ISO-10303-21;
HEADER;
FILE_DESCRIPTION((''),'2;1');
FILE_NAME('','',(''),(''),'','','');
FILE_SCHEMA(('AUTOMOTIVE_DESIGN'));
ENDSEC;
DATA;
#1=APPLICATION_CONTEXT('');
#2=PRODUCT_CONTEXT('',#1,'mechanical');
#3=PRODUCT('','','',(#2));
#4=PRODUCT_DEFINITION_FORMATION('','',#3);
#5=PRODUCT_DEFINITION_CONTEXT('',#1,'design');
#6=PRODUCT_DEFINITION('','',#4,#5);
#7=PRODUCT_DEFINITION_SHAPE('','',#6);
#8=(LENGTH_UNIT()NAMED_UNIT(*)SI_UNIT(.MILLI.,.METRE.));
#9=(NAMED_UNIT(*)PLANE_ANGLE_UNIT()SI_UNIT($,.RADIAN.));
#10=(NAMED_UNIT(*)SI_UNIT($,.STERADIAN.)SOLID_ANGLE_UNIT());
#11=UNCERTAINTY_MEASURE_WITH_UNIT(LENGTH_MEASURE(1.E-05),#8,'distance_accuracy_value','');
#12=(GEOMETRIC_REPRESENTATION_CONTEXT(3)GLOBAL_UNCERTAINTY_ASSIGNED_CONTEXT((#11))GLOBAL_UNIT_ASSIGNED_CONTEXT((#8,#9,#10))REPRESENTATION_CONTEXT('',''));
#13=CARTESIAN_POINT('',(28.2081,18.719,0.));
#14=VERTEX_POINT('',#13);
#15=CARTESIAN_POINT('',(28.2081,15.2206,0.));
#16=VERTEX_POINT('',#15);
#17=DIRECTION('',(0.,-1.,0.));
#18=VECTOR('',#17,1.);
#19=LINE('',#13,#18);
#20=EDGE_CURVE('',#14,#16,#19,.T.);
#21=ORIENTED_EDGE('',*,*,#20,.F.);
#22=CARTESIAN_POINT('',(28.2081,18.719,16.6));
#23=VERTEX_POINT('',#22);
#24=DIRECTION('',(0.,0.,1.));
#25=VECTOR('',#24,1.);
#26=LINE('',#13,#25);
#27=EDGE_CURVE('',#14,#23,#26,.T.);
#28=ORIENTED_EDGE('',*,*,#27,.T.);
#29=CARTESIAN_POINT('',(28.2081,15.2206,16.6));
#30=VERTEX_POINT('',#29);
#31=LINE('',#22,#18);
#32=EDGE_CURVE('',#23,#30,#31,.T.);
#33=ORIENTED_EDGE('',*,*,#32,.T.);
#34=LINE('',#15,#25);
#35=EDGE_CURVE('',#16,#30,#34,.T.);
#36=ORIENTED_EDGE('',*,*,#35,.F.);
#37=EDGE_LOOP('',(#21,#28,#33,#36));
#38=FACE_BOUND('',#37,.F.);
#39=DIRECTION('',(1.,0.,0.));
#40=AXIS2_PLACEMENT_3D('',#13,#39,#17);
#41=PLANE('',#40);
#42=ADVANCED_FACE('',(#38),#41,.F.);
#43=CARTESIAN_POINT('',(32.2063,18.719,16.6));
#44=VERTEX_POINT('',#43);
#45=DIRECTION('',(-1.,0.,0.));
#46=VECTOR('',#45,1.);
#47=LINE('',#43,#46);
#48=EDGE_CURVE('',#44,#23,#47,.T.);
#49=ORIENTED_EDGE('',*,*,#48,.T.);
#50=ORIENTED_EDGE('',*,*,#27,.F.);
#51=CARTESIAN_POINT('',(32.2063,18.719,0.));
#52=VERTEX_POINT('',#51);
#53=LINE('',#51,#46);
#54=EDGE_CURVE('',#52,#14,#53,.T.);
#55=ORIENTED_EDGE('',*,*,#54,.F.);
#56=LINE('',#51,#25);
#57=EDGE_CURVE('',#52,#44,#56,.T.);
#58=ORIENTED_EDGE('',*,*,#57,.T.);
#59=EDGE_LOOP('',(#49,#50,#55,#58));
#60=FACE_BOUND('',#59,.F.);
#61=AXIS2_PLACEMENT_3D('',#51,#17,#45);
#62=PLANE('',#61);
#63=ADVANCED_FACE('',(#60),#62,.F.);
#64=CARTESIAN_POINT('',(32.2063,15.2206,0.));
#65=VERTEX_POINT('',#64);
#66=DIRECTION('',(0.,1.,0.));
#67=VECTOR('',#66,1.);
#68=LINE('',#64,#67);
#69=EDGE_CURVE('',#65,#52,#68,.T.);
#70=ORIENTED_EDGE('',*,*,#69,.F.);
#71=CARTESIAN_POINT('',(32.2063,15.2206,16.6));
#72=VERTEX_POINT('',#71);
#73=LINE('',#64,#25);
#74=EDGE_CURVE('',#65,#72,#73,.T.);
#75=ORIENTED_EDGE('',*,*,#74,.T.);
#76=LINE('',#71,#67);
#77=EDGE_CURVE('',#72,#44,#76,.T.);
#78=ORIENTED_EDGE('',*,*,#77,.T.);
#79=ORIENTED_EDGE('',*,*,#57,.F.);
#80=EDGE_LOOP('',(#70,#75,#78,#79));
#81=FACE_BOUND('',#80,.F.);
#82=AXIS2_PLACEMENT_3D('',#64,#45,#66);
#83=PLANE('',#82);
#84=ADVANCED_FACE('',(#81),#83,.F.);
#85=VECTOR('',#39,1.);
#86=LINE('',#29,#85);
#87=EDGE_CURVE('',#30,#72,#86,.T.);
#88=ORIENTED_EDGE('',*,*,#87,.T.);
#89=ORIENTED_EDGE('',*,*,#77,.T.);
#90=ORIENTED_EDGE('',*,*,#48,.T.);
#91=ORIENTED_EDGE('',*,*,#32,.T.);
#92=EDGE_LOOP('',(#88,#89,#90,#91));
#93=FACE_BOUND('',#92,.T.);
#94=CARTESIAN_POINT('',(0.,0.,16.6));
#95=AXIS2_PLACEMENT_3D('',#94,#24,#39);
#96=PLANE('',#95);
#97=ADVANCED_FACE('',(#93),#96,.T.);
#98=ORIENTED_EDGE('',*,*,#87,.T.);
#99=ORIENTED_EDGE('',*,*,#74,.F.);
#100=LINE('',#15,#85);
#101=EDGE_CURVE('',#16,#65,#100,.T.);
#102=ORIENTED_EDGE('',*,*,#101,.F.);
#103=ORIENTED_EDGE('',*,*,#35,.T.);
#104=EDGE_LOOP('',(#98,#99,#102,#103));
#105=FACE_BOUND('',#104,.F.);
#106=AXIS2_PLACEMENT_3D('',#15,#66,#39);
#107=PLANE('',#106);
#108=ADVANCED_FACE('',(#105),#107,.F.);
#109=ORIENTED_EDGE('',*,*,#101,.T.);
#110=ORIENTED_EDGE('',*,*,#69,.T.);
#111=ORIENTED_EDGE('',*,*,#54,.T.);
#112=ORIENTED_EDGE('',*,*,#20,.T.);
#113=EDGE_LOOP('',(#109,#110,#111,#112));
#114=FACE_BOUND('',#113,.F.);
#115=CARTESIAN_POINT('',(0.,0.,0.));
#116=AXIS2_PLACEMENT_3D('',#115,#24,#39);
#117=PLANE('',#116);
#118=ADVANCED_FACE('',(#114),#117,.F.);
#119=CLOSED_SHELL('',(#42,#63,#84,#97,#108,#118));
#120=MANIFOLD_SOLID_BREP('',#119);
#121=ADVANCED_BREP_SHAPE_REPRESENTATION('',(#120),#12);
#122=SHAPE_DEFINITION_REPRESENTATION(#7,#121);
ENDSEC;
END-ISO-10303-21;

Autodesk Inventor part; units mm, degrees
ref_plane "YZ Plane" through (0, 0, 0) normal (1, 0, 0) x (0, 1, 0)
ref_plane "XZ Plane" through (0, 0, 0) normal (0, 1, 0) x (-1, 0, 0)
ref_plane "XY Plane" through (0, 0, 0) normal (0, 0, 1) x (1, 0, 0)
sketch "Sketch1" plane through (0, 0, 0) normal (0, 0, 1) x (1, 0, 0)
  line L0 (0, 0) -> (0, 18) construction
  line L1 (0, 9) -> (0, 2.915) construction
  line L2 (0, 9) -> (0, 15.085) construction
  line L3 (0, 2.915) -> (0, 0) construction
  line L4 (0, 15.085) -> (0, 18) construction
  circle A0 centre (0, 1.4575) radius 1.4575 construction
  circle A1 centre (0, 16.5425) radius 1.4575 construction
  line L5 (0, 9) -> (0, 13.525) construction
  line L6 (0, 9) -> (0, 4.475) construction
  line L7 (-0.8, 4.475) -> (0.8, 4.475)
  line L8 (0.8, 4.475) -> (0.8, 13.525)
  line L9 (0.8, 13.525) -> (-0.8, 13.525)
  line L10 (-0.8, 13.525) -> (-0.8, 4.475)
  line L11 (-0.8, 4.475) -> (0.8, 13.525) construction
  line L12 (0.8, 4.475) -> (-0.8, 13.525) construction
  line L13 (1.4575, 1.4575) -> (9.7575, 1.4575) construction
  line L14 (1.4575, 1.4575) -> (5.0575, 1.4575) construction
  line L15 (5.0575, 1.4575) -> (9.7575, 1.4575) construction
  line L16 (9.7575, 0.5075) -> (5.0575, 0.5075)
  line L17 (5.0575, 0.5075) -> (5.0575, 2.4075)
  line L18 (5.0575, 2.4075) -> (9.7575, 2.4075)
  line L19 (9.7575, 2.4075) -> (9.7575, 0.5075)
  line L20 (9.7575, 0.5075) -> (5.0575, 2.4075) construction
  line L21 (5.0575, 0.5075) -> (9.7575, 2.4075) construction
  line L22 (-0.8, 9) -> (24.8, 9) construction
  line L23 (-0.8, 9) -> (19.2, 9) construction
  line L24 (19.2, 9) -> (24.8, 9) construction
  circle A2 centre (22, 9) radius 2.8
  line L25 (-1.4575, 1.4575) -> (-2.4575, 1.4575) construction
  line L26 (0, 0) -> (0, -1) construction
  line L27 (-2.4575, -1) -> (32.5425, -1)
  line L28 (32.5425, -1) -> (32.5425, 19)
  line L29 (32.5425, 19) -> (-2.4575, 19)
  line L30 (-2.4575, 19) -> (-2.4575, -1)
  line L31 (0, 1.4575) -> (7.408, 1.4577) construction
  line L32 (22, 9) -> (0, 9) construction
  point P0 (7.4075, 1.4575)
  dimension "d23" = 5.6
  dimension "d0" = 18
  dimension "d1" = 6.085
  dimension "d3" = 12.17
  dimension "d5" = 4.525
  dimension "d6" = 9.05
  dimension "d7" = 1.6
  dimension "d8" = 8.3
  dimension "d9" = 3.6
  dimension "d10" = 1.9
  dimension "d11" = 25.6
  dimension "d12" = 20
  dimension "d13" = 1
  dimension "d14" = 1
  dimension "d15" = 35
  dimension "d16" = 20
  dimension "d19" = 7.5425
  dimension "d20" = 7.408
  dimension "d21" = 4.7
  dimension "d22" = 22
sketch "Sketch2" plane through (0, 0, 0) normal (0, 0, 1) x (1, 0, 0)
  line L0 (32.2063, 18.719) -> (28.2081, 18.719)
  line L1 (28.2081, 18.719) -> (28.2081, 15.2206)
  line L2 (28.2081, 15.2206) -> (32.2063, 15.2206)
  line L3 (32.2063, 15.2206) -> (32.2063, 18.719)
  point P0 (0, 0)
extrude "Extrusion1" add sketch "Sketch2" along normal blind 16.6
properties part number "Electromagnet Measurements"
